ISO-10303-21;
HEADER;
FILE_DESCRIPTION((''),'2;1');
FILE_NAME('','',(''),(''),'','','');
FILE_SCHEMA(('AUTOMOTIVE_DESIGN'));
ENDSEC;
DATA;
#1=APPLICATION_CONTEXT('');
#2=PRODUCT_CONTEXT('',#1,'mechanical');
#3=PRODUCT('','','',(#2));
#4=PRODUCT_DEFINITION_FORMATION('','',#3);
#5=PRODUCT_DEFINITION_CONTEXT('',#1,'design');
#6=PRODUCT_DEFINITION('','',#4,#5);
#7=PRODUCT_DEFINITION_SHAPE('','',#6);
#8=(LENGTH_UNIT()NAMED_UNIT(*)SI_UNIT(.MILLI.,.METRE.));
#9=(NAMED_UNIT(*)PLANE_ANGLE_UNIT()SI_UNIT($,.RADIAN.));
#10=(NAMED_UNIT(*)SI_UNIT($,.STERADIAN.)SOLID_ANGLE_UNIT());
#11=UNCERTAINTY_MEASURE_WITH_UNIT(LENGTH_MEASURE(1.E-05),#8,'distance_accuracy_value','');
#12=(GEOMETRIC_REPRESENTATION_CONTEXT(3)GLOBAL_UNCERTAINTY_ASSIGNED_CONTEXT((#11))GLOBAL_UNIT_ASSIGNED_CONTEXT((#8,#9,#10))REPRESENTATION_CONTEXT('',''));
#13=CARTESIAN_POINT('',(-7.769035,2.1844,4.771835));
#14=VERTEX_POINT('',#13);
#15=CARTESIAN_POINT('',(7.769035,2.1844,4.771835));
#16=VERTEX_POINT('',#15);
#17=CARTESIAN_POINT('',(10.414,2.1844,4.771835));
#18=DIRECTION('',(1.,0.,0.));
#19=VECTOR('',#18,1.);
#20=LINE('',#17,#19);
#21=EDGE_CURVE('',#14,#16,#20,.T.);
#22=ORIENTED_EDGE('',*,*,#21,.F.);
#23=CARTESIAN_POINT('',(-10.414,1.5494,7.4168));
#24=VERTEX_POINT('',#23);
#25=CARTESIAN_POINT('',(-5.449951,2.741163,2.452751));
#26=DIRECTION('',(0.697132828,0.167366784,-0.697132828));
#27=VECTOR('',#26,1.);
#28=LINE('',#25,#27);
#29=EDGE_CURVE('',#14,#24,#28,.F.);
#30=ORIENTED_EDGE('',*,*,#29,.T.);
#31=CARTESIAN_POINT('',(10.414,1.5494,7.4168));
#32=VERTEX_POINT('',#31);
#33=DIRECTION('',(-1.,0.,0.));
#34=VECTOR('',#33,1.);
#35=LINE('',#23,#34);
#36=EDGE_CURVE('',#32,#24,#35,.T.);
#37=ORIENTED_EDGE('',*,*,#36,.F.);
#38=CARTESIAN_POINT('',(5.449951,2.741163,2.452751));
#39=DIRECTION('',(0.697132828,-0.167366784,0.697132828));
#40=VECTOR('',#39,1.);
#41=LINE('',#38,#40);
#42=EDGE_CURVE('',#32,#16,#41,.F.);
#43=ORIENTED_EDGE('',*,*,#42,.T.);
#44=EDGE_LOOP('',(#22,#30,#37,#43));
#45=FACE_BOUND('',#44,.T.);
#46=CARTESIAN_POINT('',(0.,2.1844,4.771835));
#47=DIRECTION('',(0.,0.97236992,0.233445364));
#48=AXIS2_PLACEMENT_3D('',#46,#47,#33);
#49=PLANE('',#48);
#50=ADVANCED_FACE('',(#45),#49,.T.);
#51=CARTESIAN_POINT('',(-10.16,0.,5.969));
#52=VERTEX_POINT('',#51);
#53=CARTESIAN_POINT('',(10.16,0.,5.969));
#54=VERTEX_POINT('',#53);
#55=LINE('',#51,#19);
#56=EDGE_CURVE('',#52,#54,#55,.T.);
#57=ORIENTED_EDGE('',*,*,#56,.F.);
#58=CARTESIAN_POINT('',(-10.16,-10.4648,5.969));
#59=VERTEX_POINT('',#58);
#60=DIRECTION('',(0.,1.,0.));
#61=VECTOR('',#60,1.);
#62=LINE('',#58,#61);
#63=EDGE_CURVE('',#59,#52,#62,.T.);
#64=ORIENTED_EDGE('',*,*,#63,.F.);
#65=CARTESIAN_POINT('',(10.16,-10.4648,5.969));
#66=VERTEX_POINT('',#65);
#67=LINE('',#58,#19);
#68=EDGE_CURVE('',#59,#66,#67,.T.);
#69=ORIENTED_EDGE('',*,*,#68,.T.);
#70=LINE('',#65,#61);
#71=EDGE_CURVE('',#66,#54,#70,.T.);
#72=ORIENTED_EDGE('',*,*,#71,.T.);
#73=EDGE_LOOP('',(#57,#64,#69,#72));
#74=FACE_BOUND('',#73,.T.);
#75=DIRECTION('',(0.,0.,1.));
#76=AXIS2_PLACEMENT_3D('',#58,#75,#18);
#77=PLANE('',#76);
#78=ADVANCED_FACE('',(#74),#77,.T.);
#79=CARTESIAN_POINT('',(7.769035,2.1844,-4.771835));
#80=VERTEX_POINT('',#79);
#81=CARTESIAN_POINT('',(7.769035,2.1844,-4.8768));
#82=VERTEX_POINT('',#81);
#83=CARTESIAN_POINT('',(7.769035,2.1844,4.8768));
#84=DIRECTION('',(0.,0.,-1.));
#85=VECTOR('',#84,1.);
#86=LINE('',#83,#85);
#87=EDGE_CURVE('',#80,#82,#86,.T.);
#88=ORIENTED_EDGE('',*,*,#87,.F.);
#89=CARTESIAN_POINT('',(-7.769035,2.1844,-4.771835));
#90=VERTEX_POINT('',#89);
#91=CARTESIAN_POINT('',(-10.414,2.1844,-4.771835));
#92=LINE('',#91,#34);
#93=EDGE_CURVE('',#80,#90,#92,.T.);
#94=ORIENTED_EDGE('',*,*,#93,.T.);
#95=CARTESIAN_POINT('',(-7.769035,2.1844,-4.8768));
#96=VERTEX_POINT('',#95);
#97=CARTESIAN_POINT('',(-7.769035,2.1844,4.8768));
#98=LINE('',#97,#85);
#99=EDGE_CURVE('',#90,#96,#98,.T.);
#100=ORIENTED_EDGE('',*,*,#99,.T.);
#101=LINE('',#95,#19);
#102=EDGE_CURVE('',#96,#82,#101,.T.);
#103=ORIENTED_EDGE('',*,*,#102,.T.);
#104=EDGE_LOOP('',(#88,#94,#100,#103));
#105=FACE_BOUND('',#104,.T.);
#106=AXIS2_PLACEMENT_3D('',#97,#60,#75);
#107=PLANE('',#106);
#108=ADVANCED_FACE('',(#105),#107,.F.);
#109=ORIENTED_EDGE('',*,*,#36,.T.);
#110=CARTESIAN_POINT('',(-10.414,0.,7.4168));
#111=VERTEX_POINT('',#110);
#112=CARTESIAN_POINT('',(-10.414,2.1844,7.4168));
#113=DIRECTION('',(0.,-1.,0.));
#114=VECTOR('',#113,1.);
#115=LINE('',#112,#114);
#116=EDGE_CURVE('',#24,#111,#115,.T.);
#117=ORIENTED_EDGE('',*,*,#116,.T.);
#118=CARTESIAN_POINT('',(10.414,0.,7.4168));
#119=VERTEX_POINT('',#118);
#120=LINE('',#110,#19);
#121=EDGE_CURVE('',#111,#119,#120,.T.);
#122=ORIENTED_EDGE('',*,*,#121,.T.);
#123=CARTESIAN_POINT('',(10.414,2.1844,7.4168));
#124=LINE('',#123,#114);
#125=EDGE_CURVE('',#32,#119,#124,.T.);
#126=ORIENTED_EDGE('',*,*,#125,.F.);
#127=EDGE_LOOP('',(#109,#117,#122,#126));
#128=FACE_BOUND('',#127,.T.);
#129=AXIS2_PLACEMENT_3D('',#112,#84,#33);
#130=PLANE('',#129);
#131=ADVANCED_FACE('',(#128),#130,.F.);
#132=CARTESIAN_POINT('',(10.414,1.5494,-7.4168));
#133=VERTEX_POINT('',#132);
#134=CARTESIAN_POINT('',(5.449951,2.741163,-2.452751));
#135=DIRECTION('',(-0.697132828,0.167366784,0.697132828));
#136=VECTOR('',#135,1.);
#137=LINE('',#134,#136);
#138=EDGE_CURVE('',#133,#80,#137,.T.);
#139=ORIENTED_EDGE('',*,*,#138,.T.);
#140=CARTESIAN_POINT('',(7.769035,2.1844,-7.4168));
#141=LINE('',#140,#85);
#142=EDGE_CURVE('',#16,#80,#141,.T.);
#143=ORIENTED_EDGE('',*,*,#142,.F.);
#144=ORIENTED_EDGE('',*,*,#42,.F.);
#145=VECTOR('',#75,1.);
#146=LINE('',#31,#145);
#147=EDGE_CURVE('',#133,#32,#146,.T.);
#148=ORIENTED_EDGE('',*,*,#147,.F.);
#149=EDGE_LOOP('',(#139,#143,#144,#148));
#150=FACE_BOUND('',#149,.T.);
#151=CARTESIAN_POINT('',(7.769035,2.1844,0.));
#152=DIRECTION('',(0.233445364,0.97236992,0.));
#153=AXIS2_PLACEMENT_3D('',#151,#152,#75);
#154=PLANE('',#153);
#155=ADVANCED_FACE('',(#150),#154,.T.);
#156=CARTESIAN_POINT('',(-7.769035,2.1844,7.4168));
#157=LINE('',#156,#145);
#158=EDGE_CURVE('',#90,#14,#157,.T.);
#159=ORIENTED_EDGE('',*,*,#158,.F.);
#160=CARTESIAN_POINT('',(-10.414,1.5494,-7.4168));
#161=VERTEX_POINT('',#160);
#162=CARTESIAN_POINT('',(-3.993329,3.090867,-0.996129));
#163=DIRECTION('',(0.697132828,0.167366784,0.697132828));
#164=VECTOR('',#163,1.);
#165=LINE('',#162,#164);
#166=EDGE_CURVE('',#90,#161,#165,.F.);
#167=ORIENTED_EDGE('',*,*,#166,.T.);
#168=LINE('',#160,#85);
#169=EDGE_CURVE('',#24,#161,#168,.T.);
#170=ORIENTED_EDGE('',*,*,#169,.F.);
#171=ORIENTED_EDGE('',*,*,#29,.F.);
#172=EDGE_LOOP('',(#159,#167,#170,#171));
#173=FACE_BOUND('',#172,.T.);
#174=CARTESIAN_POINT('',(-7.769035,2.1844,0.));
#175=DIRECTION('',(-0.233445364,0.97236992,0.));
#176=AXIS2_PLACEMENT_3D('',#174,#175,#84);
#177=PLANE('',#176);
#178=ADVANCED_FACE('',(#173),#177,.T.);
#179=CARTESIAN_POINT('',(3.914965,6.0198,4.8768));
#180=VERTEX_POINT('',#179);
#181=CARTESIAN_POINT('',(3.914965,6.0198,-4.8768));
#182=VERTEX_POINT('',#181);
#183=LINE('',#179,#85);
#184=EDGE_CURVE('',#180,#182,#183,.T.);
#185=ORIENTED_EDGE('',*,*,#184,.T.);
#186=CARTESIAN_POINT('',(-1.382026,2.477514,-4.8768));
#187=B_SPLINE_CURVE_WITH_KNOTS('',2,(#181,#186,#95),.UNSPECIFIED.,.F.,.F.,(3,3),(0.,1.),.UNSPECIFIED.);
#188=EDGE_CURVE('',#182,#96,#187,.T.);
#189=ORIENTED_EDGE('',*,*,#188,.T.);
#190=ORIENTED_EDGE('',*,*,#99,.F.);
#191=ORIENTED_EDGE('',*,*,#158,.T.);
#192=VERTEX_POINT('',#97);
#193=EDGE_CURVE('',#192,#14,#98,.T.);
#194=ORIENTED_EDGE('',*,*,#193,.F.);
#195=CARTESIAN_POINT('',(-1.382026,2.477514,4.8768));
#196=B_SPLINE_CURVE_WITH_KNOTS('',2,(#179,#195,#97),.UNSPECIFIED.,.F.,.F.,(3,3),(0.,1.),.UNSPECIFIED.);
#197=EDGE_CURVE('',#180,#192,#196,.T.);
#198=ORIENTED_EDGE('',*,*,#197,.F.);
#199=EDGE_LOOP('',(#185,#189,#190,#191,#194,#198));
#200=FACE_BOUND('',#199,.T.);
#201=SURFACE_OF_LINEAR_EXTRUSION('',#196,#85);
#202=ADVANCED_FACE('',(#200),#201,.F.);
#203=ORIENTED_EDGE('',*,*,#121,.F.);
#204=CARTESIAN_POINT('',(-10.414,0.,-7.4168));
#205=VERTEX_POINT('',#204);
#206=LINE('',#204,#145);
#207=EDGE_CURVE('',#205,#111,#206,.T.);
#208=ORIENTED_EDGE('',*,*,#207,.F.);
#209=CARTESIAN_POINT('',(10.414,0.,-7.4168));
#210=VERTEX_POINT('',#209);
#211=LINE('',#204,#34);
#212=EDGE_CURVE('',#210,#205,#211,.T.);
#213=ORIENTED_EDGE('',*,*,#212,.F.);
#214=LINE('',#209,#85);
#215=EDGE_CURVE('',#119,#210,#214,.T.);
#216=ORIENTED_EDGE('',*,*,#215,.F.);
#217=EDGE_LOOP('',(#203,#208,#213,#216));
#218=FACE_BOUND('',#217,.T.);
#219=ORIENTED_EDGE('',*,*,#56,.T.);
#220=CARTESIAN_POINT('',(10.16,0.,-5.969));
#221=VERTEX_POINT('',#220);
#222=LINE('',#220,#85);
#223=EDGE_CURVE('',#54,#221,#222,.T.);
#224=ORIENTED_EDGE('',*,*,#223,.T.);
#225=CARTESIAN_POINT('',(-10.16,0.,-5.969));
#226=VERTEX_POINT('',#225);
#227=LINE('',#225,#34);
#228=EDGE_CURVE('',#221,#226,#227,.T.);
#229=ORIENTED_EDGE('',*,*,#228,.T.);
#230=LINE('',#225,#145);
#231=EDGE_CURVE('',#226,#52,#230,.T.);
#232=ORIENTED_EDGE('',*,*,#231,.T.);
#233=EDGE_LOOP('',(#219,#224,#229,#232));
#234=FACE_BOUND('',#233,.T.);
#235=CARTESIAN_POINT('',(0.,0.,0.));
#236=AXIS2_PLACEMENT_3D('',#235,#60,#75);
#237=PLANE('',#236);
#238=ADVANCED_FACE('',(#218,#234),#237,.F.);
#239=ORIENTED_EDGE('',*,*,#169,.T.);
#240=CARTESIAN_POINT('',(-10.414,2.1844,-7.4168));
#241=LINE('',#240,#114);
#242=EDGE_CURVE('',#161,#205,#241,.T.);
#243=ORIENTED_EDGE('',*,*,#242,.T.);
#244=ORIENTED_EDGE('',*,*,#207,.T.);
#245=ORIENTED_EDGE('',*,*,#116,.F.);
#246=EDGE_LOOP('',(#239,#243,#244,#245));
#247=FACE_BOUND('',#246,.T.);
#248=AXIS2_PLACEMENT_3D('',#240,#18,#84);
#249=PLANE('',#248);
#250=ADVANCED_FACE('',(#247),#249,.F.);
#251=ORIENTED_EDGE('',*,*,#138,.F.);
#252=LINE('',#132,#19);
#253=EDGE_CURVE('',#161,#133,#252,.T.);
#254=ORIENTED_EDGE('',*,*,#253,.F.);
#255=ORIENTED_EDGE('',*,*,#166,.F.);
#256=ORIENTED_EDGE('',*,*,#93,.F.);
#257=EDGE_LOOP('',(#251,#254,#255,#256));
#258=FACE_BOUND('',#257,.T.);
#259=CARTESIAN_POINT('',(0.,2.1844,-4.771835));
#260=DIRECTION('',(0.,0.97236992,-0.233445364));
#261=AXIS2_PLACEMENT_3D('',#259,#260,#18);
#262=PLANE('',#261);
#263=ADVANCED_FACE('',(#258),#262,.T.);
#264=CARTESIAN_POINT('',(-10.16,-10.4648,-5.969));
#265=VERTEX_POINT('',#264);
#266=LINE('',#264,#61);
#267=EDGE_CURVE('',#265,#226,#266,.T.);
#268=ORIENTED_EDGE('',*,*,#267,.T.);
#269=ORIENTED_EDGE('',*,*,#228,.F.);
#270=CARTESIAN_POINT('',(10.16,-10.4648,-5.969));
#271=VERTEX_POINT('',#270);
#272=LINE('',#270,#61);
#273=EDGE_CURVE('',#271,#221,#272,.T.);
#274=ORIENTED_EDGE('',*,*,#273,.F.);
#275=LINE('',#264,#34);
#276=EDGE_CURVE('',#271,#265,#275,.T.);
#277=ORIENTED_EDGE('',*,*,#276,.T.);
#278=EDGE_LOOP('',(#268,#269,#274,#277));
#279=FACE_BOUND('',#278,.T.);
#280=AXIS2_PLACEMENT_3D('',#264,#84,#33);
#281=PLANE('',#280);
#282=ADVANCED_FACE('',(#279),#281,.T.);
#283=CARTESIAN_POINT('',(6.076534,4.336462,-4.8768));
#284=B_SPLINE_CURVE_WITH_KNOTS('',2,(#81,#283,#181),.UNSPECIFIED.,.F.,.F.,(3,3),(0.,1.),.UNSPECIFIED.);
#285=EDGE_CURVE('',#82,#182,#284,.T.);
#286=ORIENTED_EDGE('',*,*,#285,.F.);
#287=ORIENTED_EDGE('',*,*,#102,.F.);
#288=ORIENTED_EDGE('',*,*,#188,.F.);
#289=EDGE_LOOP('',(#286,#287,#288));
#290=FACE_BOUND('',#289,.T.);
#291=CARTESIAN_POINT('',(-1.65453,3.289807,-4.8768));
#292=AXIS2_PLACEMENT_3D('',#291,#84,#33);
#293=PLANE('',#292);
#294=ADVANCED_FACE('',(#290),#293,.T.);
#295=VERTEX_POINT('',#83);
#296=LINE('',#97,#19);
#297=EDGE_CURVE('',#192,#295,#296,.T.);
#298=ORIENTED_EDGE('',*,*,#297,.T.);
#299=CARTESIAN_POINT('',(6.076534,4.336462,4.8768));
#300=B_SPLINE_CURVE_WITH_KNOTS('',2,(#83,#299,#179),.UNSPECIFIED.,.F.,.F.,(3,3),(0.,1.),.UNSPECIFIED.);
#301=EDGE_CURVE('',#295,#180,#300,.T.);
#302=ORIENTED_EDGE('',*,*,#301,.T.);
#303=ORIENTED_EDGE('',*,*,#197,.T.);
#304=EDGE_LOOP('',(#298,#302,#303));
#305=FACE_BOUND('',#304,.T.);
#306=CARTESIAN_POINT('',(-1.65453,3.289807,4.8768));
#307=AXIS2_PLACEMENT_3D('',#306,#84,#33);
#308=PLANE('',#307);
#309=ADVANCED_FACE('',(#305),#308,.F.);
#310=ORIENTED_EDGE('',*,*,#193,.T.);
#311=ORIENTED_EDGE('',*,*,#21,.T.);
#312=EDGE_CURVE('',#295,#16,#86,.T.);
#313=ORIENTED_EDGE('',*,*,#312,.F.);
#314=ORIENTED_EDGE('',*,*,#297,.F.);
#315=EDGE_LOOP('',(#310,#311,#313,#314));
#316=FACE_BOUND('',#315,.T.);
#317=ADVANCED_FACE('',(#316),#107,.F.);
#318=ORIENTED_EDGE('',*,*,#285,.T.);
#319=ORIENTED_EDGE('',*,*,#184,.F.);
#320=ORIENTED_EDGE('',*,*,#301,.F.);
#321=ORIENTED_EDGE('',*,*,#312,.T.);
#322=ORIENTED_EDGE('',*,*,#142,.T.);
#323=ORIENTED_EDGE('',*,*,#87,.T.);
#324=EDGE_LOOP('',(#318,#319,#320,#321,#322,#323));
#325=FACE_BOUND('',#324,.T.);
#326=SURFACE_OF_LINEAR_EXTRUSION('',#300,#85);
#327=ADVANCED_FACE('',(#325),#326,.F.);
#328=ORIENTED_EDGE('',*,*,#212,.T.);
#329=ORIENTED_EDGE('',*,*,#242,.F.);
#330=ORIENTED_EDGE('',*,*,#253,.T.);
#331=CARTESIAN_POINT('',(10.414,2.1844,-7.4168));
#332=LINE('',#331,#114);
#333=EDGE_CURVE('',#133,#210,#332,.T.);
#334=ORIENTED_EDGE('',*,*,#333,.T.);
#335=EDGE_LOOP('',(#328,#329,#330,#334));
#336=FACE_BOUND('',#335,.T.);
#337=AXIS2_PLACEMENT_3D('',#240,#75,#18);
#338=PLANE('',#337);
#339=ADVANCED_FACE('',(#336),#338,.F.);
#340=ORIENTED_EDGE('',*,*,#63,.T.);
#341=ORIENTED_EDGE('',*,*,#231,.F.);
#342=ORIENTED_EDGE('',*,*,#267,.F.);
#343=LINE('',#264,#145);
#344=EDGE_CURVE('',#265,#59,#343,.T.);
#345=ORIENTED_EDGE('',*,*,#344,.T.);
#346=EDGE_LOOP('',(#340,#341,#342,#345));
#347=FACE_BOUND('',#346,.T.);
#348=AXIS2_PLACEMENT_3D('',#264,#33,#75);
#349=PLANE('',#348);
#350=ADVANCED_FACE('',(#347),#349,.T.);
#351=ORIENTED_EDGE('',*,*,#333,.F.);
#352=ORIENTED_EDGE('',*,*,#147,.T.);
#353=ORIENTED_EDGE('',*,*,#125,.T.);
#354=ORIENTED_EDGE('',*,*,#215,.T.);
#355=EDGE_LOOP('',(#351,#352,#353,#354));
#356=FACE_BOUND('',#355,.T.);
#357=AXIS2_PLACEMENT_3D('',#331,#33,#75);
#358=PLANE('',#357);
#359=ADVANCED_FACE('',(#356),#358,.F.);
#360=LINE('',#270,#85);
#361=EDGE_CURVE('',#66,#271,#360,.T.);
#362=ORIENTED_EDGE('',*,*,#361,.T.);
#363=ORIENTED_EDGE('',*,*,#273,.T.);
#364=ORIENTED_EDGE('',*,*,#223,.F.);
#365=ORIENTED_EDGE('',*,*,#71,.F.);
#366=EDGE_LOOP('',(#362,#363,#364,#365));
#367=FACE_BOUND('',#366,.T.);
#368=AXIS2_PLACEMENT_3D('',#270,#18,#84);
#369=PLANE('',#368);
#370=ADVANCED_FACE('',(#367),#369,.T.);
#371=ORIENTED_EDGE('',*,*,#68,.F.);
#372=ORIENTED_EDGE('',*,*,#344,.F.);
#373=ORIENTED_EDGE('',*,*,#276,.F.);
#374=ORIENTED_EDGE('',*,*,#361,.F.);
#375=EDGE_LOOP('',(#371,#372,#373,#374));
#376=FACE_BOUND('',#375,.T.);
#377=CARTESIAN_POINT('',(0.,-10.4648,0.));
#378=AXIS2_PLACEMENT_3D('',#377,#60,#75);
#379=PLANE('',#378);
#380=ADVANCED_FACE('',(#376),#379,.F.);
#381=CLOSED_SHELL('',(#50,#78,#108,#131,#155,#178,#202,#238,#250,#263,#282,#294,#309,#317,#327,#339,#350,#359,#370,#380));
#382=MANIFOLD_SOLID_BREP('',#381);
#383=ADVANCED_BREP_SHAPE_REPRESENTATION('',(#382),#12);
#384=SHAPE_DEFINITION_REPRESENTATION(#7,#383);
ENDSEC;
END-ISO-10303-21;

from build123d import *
from OCP.BRepFilletAPI import BRepFilletAPI_MakeChamfer

# Parameters (mm, degrees)
SKETCH1_W           = 20.32
SKETCH1_H           = 11.938
BOSS_EXTRUDE1_DEPTH = 10.4648
SKETCH2_W           = 20.828
SKETCH2_H           = 14.8336
BOSS_EXTRUDE2_DEPTH = 2.1844
CHAMFER1_SIZE       = 0.635
CHAMFER1_SIZE2      = 2.644965354
BOSS_EXTRUDE3_DEPTH = 4.8768


with BuildPart() as part:
    # Sketch1 → Boss-Extrude1 (new body)
    with BuildSketch(Plane(origin=(0, 0, 0), x_dir=(1, 0, 0), z_dir=(0, 1, 0))):
        Rectangle(SKETCH1_W, SKETCH1_H)
    extrude(amount=-BOSS_EXTRUDE1_DEPTH)

    # Sketch2 → Boss-Extrude2 (add)
    with BuildSketch(Plane(origin=(0, 0, 0), x_dir=(1, 0, 0), z_dir=(0, 1, 0))):
        Rectangle(SKETCH2_W, SKETCH2_H)
    extrude(amount=BOSS_EXTRUDE2_DEPTH)

    # Chamfer1: one chamfer whose edges measure the first distance from different faces: ONE call of the kernel's chamfer builder (chamfer() names one face for all edges)
    chamfer1_edges_1 = [part.edges().sort_by_distance(p)[0] for p in [
        (10.414, 2.1844, 0),
    ]]
    chamfer1_side_1 = [part.faces().sort_by_distance(p)[0] for p in [
        (10.414, 1.0922, 0),
    ]]
    chamfer1_edges_2 = [part.edges().sort_by_distance(p)[0] for p in [
        (0, 2.1844, -7.4168),
    ]]
    chamfer1_side_2 = [part.faces().sort_by_distance(p)[0] for p in [
        (0, 1.0922, -7.4168),
    ]]
    chamfer1_edges_3 = [part.edges().sort_by_distance(p)[0] for p in [
        (-10.414, 2.1844, 0),
    ]]
    chamfer1_side_3 = [part.faces().sort_by_distance(p)[0] for p in [
        (-10.414, 1.0922, 0),
    ]]
    chamfer1_edges_4 = [part.edges().sort_by_distance(p)[0] for p in [
        (0, 2.1844, 7.4168),
    ]]
    chamfer1_side_4 = [part.faces().sort_by_distance(p)[0] for p in [
        (0, 1.0922, 7.4168),
    ]]
    chamfer1 = BRepFilletAPI_MakeChamfer(part.part.solid().wrapped)
    for e in chamfer1_edges_1:
        chamfer1.Add(CHAMFER1_SIZE, CHAMFER1_SIZE2, e.wrapped, chamfer1_side_1[0].wrapped)  # the first distance lies on this face
    for e in chamfer1_edges_2:
        chamfer1.Add(CHAMFER1_SIZE, CHAMFER1_SIZE2, e.wrapped, chamfer1_side_2[0].wrapped)  # the first distance lies on this face
    for e in chamfer1_edges_3:
        chamfer1.Add(CHAMFER1_SIZE, CHAMFER1_SIZE2, e.wrapped, chamfer1_side_3[0].wrapped)  # the first distance lies on this face
    for e in chamfer1_edges_4:
        chamfer1.Add(CHAMFER1_SIZE, CHAMFER1_SIZE2, e.wrapped, chamfer1_side_4[0].wrapped)  # the first distance lies on this face
    add(Compound.cast(chamfer1.Shape()), mode=Mode.REPLACE)

    # Sketch11 → Boss-Extrude3 (add, symmetric)
    with BuildSketch(Plane.XY):
        with BuildLine():
            Line((-7.769034646, 2.1844), (7.769034646, 2.1844))
            add(Edge.make_bspline(
                [(3.914965354, 6.0198), (6.076533794, 4.336461904), (7.769034646, 2.1844)],
                knots=[0, 0, 0, 1, 1, 1], degree=2))
            add(Edge.make_bspline(
                [(-7.769034646, 2.1844), (-1.382026132, 2.477514442), (3.914965354, 6.0198)],
                knots=[0, 0, 0, 1, 1, 1], degree=2))
        make_face()
    extrude(amount=BOSS_EXTRUDE3_DEPTH, both=True)


solid = part.part
